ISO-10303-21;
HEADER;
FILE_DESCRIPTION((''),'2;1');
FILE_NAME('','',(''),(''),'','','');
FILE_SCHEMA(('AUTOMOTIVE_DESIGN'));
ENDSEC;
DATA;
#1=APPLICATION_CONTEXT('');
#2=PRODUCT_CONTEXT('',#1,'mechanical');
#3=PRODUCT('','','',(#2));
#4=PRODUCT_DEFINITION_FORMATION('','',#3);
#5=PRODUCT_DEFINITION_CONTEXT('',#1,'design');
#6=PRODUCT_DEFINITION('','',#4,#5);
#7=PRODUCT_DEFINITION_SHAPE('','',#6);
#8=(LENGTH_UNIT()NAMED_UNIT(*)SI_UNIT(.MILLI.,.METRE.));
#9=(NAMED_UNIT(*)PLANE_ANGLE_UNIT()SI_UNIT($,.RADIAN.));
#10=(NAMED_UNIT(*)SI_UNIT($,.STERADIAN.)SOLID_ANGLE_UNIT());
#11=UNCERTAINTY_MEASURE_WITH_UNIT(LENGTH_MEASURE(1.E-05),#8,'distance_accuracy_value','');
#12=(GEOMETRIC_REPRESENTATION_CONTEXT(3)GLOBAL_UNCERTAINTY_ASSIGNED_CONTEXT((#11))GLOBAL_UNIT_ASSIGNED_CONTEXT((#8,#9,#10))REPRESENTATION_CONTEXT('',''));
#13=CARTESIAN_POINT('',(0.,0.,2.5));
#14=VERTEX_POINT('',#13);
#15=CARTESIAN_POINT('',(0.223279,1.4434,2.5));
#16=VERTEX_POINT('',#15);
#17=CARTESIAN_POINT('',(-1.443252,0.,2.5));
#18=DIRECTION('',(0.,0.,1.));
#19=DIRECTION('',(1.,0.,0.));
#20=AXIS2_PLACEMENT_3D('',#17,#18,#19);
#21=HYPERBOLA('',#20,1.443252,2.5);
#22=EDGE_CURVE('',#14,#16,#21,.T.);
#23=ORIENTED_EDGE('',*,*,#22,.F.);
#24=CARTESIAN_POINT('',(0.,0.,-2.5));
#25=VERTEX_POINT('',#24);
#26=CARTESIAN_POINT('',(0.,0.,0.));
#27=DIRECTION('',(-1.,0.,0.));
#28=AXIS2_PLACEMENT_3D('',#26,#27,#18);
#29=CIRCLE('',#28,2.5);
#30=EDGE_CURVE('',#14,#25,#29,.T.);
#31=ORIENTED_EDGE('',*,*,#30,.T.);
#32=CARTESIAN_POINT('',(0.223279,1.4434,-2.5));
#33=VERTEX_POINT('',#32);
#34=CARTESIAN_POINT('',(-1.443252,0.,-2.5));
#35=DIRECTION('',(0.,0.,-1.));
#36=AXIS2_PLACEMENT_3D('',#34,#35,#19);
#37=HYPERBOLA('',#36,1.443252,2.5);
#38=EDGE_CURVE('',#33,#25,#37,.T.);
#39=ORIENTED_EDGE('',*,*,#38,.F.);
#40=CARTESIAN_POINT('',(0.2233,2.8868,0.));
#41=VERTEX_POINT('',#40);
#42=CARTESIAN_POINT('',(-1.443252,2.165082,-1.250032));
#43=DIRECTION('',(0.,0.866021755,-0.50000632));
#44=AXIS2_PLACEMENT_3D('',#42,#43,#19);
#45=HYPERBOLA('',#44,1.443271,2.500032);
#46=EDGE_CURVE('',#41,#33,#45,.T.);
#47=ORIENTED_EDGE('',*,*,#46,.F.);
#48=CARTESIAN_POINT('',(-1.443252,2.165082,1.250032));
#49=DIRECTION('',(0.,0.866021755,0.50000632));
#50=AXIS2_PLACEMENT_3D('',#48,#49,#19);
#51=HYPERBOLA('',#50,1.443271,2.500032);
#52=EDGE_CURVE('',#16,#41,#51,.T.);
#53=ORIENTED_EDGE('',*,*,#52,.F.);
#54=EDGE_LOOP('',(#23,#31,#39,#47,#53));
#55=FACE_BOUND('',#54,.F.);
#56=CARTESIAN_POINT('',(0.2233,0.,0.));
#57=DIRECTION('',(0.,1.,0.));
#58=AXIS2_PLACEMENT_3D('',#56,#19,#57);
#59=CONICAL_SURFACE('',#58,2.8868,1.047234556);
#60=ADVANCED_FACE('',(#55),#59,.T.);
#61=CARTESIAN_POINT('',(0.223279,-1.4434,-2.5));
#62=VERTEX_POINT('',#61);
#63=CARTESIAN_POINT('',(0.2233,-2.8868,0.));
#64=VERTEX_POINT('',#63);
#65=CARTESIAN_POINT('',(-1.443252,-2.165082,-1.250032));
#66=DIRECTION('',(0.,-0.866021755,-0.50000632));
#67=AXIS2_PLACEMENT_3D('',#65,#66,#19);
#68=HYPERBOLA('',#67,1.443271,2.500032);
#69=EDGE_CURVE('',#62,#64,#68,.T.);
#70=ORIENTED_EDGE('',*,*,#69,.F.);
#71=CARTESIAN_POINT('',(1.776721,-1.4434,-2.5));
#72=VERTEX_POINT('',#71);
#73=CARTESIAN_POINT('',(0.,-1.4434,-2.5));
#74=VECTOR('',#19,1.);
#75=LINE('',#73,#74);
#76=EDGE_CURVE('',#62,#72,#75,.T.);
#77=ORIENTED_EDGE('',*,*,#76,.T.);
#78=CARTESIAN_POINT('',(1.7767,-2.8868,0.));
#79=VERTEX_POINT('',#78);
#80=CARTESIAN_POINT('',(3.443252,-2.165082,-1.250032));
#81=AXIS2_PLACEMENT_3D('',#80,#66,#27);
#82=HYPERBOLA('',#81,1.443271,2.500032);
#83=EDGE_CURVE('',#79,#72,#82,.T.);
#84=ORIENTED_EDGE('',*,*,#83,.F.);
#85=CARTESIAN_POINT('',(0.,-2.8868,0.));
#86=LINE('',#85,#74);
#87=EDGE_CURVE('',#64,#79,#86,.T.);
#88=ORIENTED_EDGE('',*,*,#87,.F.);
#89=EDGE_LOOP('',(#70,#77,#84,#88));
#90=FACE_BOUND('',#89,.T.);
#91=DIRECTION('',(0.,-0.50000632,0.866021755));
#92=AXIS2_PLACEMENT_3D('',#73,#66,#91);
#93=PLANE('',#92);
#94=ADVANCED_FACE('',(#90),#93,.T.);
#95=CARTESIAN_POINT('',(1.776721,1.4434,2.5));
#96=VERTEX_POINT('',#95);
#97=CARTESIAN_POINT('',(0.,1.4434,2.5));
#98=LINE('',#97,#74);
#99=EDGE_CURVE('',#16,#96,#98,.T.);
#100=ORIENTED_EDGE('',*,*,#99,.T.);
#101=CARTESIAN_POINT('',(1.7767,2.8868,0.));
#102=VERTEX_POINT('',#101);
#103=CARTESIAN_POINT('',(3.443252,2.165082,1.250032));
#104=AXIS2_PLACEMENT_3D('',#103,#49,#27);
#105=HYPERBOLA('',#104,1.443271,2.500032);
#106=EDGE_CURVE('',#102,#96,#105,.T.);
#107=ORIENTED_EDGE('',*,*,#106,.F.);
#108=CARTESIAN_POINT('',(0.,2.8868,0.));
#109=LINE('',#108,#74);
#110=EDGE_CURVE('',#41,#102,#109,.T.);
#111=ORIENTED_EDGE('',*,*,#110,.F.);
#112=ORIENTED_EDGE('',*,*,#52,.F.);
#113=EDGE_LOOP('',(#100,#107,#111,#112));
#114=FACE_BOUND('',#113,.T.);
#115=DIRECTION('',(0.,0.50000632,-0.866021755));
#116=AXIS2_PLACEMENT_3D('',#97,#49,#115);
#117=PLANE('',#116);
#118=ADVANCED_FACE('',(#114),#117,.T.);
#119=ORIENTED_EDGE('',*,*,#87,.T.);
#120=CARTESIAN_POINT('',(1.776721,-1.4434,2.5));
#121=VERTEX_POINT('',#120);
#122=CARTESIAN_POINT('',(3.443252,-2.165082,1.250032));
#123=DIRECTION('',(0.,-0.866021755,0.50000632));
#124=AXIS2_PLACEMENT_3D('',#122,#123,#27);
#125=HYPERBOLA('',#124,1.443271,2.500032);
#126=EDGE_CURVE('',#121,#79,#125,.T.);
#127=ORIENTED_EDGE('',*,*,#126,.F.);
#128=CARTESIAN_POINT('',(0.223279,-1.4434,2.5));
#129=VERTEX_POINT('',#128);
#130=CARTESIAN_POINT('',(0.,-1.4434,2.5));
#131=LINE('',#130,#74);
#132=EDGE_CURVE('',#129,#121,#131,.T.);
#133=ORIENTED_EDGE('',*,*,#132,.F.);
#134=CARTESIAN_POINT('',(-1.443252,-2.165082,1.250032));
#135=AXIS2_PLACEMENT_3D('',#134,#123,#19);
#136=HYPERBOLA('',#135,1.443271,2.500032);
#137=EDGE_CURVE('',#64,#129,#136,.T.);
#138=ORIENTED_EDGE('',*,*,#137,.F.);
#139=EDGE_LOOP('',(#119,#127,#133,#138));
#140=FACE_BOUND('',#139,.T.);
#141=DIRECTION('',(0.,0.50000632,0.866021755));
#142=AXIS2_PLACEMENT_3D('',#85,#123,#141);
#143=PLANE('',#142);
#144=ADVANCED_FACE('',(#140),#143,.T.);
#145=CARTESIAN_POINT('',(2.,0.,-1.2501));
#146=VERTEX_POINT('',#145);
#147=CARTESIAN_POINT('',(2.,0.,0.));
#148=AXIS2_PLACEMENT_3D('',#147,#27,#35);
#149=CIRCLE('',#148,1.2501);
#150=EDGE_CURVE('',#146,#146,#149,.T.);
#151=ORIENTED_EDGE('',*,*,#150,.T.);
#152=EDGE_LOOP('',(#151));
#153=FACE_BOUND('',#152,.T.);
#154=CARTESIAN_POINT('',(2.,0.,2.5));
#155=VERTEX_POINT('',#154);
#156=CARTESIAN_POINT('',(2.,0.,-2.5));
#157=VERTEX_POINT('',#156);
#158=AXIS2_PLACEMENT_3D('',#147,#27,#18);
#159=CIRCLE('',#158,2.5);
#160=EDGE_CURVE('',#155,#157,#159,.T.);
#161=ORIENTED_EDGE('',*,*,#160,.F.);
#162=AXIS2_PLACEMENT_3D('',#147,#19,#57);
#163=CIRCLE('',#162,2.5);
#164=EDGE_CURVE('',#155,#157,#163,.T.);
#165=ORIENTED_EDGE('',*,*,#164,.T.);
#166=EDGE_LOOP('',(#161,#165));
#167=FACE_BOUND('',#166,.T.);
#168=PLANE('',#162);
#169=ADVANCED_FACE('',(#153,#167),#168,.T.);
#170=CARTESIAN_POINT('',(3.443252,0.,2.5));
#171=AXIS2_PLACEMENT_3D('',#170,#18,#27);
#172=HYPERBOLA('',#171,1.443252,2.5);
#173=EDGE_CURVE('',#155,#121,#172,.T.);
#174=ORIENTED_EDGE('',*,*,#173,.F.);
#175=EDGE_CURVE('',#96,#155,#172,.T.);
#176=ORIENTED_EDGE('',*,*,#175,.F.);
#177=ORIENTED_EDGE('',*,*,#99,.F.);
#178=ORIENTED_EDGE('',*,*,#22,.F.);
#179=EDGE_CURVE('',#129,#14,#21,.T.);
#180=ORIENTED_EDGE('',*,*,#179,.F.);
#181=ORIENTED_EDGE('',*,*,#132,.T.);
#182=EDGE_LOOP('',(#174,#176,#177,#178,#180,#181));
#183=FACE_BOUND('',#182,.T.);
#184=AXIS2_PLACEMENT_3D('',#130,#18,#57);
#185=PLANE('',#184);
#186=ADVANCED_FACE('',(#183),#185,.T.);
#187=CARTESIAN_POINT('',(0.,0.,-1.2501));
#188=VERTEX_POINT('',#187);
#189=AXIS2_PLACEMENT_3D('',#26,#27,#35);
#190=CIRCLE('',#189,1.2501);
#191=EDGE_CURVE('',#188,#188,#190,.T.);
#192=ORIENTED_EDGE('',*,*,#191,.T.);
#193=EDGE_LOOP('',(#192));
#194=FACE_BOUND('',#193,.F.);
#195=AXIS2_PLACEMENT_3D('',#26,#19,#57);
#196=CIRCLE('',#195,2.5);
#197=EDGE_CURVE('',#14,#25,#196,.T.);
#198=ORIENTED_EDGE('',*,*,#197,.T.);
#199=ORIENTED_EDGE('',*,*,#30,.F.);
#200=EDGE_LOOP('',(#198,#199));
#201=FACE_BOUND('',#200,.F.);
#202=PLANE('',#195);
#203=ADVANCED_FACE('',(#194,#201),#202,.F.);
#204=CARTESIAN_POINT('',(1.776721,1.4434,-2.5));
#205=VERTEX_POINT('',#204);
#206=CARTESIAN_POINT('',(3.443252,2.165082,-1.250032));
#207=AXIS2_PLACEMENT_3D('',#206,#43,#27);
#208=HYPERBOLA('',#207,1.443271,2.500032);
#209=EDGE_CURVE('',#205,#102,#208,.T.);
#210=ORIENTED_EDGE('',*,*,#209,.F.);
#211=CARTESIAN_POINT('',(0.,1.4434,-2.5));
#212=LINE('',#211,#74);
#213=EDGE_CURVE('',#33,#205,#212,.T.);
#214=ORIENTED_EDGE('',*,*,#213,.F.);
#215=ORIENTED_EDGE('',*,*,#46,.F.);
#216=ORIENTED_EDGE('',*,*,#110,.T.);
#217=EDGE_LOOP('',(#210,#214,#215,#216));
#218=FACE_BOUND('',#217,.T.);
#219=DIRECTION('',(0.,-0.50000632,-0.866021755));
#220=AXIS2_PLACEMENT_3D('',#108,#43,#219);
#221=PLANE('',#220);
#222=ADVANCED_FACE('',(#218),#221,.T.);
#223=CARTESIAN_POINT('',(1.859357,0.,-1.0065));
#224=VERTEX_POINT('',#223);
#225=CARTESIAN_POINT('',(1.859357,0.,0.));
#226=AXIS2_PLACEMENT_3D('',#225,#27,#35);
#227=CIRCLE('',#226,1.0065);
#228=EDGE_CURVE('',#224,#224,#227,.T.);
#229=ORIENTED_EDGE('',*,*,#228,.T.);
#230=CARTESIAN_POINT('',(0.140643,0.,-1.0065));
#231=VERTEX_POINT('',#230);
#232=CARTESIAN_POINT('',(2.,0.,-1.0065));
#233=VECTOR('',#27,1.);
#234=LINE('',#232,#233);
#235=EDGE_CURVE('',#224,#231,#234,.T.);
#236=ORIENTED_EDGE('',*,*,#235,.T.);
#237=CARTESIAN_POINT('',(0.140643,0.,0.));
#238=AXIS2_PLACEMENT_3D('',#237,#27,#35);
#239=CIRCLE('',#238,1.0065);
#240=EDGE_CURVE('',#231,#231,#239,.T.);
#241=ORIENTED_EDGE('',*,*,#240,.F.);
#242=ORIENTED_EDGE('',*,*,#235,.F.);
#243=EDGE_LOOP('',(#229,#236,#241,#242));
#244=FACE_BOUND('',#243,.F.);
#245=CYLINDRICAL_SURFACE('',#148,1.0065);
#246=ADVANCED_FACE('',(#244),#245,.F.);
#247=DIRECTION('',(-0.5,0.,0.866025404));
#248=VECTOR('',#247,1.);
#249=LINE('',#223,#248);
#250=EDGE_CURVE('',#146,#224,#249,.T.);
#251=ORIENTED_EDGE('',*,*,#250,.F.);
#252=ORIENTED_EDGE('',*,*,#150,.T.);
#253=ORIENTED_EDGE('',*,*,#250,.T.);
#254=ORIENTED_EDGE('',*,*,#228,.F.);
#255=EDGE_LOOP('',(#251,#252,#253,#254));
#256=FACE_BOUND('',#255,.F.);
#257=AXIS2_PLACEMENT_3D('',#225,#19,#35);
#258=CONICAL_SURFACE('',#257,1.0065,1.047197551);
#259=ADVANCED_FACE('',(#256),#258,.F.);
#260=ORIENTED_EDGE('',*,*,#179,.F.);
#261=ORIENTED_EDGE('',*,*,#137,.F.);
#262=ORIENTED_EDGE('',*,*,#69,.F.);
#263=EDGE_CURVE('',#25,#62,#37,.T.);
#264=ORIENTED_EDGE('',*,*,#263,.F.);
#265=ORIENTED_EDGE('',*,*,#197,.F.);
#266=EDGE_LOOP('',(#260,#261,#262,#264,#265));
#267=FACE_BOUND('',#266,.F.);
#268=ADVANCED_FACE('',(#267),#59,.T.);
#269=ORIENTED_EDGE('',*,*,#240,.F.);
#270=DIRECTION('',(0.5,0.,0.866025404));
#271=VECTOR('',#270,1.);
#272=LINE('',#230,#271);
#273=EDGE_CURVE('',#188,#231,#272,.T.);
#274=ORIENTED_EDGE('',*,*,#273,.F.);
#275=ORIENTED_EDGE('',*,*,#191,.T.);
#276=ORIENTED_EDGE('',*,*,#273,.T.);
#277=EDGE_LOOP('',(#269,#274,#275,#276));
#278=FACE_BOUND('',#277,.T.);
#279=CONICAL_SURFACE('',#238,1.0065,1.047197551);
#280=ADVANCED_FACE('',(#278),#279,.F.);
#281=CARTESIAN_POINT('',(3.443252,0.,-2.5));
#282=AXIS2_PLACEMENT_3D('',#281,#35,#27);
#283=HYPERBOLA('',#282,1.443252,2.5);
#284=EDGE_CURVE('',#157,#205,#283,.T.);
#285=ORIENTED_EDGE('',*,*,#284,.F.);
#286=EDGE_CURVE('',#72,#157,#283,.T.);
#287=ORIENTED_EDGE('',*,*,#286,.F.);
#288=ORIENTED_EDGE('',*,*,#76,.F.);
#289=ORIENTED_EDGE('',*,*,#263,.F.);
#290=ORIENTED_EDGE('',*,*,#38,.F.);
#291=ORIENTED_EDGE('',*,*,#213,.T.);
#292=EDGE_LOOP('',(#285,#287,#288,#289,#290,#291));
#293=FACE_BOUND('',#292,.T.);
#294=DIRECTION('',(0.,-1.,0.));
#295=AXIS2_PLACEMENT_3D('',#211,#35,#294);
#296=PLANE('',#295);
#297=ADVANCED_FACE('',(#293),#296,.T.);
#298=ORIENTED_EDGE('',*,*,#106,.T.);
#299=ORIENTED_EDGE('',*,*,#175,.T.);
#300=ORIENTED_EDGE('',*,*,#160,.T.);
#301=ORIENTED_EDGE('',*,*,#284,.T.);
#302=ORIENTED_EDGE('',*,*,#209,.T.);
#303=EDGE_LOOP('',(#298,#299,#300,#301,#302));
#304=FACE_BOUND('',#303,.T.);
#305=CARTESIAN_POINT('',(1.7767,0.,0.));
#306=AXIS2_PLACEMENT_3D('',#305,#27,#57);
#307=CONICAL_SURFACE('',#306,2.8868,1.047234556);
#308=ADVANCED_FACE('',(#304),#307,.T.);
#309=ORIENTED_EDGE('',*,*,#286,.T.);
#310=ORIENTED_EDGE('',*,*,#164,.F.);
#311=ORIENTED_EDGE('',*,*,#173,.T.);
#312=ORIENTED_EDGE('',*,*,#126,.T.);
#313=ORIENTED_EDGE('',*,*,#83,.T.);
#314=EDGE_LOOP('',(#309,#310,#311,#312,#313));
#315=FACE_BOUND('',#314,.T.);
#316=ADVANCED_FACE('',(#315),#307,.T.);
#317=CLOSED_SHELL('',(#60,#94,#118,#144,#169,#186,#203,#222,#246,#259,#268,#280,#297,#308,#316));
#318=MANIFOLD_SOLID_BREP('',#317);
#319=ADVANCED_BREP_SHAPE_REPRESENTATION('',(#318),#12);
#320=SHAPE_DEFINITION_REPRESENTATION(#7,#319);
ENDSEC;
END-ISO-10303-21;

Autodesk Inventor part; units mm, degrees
ref_plane "YZ Plane" through (0, 0, 0) normal (1, 0, 0) x (0, 1, 0)
ref_plane "XZ Plane" through (0, 0, 0) normal (0, 1, 0) x (-1, 0, 0)
sketch "Sketch1" plane through (0, 0, 0) normal (1, 0, 0) x (0, 1, 0)
  line L0 (-2.8868, 0) -> (-1.4434, 2.5)
  line L1 (-1.4434, 2.5) -> (1.4434, 2.5)
  line L2 (1.4434, 2.5) -> (2.8868, 0)
  line L3 (2.8868, 0) -> (1.4434, -2.5)
  line L4 (1.4434, -2.5) -> (-1.4434, -2.5)
  line L5 (-1.4434, -2.5) -> (-2.8868, 0)
  point P0 (0, 0)
  point P1 (0, 0)
  dimension "d0" = 5.7735
extrude "Body" add sketch "Sketch1" along normal blind 2
sketch "Sketch2" plane through (0, 0, 0) normal (0, 0, 1) x (1, 0, 0)
  line L0 (0, 1.4434) -> (0, 2.8868) projected
  line L1 (0, 2.8868) -> (2, 2.8868) projected
  line L2 (2, 1.4434) -> (2, 2.8868) projected
  line L3 (-0.4, 0) -> (2.4, 0) projected
  line L4 (0.2233, 2.8868) -> (0, 2.5)
  line L5 (1.7767, 2.8868) -> (2, 2.5)
  dimension "d3" = 30
  dimension "d4" = 30
  dimension "d5" = 5
  dimension "d6" = 5
revolve "Chamfer1" cut sketch "Sketch2" angle 360 about axis through (-10, 0, 0) along (1, 0, 0)
sketch "Sketch3" plane through (2, 0, 0) normal (1, 0, 0) x (0, 0, -1)
  arc A0 (-1.25, -2.1651) -> (1.25, -2.1651) centre (0, 0) ccw projected
hole "Thread" at (2, 0, 0) direction (-1, 0, 0) diameter 2.013 end through all thread size "M2.5x0.45" class "6H" standard "ISO Metric profile"
chamfer "Chamfer2" distance 0.2436 angle 30 1 edges at (2, 0, 1.0065) measured on face at (2, -1.9906, -0.0404)
chamfer "Chamfer3" distance 0.2436 angle 30 1 edges at (0, 0, 1.0065) measured on face at (0, -1.9906, -0.0404)
ref_plane "Work Plane1" through (-5.8951, 0, 0) normal (0, -0.866, -0.5) x (1, 0, 0)
equation "\"d0\" = 1.1547 * SW"
equation "\"d1\" = KOH"
equation "\"d3\" = ANG1"
equation "\"d4\" = ANG2"
equation "\"d5\" = SW0"
equation "\"d6\" = SW01"
equation "\"d8\" = -0.5 * GD1 + 0.5 * NND"
equation "\"d40\" = -0.5 * GD1 + 0.5 * NND"
equation "\"d10\" = -0.5 * GD1 + 0.5 * NND"
equation "\"d41\" = -0.5 * GD1 + 0.5 * NND"
equation "\"ANG1\" = 30deg"
equation "\"ANG2\" = 30deg"
equation "\"NND\" = 2.5"
equation "\"KOH\" = 2"
equation "\"SW\" = 5"
equation "\"SW0\" = SW"
equation "\"SW01\" = SW"
equation "\"GUL\" = 0.541266 * PTC"
equation "\"WFT\" = 0"
equation "\"THREADDIA\" = 2.5"
equation "\"TOA\" = 30deg"
equation "\"PTC\" = 0.45"
equation "\"E0\" = 1.155 * SW"
equation "\"GAL\" = 0.541266 * PTC"
equation "\"GD1\" = 2.012861"
properties part number "AS 1112 - M2,5  Type 5" material "Steel, Mild"
